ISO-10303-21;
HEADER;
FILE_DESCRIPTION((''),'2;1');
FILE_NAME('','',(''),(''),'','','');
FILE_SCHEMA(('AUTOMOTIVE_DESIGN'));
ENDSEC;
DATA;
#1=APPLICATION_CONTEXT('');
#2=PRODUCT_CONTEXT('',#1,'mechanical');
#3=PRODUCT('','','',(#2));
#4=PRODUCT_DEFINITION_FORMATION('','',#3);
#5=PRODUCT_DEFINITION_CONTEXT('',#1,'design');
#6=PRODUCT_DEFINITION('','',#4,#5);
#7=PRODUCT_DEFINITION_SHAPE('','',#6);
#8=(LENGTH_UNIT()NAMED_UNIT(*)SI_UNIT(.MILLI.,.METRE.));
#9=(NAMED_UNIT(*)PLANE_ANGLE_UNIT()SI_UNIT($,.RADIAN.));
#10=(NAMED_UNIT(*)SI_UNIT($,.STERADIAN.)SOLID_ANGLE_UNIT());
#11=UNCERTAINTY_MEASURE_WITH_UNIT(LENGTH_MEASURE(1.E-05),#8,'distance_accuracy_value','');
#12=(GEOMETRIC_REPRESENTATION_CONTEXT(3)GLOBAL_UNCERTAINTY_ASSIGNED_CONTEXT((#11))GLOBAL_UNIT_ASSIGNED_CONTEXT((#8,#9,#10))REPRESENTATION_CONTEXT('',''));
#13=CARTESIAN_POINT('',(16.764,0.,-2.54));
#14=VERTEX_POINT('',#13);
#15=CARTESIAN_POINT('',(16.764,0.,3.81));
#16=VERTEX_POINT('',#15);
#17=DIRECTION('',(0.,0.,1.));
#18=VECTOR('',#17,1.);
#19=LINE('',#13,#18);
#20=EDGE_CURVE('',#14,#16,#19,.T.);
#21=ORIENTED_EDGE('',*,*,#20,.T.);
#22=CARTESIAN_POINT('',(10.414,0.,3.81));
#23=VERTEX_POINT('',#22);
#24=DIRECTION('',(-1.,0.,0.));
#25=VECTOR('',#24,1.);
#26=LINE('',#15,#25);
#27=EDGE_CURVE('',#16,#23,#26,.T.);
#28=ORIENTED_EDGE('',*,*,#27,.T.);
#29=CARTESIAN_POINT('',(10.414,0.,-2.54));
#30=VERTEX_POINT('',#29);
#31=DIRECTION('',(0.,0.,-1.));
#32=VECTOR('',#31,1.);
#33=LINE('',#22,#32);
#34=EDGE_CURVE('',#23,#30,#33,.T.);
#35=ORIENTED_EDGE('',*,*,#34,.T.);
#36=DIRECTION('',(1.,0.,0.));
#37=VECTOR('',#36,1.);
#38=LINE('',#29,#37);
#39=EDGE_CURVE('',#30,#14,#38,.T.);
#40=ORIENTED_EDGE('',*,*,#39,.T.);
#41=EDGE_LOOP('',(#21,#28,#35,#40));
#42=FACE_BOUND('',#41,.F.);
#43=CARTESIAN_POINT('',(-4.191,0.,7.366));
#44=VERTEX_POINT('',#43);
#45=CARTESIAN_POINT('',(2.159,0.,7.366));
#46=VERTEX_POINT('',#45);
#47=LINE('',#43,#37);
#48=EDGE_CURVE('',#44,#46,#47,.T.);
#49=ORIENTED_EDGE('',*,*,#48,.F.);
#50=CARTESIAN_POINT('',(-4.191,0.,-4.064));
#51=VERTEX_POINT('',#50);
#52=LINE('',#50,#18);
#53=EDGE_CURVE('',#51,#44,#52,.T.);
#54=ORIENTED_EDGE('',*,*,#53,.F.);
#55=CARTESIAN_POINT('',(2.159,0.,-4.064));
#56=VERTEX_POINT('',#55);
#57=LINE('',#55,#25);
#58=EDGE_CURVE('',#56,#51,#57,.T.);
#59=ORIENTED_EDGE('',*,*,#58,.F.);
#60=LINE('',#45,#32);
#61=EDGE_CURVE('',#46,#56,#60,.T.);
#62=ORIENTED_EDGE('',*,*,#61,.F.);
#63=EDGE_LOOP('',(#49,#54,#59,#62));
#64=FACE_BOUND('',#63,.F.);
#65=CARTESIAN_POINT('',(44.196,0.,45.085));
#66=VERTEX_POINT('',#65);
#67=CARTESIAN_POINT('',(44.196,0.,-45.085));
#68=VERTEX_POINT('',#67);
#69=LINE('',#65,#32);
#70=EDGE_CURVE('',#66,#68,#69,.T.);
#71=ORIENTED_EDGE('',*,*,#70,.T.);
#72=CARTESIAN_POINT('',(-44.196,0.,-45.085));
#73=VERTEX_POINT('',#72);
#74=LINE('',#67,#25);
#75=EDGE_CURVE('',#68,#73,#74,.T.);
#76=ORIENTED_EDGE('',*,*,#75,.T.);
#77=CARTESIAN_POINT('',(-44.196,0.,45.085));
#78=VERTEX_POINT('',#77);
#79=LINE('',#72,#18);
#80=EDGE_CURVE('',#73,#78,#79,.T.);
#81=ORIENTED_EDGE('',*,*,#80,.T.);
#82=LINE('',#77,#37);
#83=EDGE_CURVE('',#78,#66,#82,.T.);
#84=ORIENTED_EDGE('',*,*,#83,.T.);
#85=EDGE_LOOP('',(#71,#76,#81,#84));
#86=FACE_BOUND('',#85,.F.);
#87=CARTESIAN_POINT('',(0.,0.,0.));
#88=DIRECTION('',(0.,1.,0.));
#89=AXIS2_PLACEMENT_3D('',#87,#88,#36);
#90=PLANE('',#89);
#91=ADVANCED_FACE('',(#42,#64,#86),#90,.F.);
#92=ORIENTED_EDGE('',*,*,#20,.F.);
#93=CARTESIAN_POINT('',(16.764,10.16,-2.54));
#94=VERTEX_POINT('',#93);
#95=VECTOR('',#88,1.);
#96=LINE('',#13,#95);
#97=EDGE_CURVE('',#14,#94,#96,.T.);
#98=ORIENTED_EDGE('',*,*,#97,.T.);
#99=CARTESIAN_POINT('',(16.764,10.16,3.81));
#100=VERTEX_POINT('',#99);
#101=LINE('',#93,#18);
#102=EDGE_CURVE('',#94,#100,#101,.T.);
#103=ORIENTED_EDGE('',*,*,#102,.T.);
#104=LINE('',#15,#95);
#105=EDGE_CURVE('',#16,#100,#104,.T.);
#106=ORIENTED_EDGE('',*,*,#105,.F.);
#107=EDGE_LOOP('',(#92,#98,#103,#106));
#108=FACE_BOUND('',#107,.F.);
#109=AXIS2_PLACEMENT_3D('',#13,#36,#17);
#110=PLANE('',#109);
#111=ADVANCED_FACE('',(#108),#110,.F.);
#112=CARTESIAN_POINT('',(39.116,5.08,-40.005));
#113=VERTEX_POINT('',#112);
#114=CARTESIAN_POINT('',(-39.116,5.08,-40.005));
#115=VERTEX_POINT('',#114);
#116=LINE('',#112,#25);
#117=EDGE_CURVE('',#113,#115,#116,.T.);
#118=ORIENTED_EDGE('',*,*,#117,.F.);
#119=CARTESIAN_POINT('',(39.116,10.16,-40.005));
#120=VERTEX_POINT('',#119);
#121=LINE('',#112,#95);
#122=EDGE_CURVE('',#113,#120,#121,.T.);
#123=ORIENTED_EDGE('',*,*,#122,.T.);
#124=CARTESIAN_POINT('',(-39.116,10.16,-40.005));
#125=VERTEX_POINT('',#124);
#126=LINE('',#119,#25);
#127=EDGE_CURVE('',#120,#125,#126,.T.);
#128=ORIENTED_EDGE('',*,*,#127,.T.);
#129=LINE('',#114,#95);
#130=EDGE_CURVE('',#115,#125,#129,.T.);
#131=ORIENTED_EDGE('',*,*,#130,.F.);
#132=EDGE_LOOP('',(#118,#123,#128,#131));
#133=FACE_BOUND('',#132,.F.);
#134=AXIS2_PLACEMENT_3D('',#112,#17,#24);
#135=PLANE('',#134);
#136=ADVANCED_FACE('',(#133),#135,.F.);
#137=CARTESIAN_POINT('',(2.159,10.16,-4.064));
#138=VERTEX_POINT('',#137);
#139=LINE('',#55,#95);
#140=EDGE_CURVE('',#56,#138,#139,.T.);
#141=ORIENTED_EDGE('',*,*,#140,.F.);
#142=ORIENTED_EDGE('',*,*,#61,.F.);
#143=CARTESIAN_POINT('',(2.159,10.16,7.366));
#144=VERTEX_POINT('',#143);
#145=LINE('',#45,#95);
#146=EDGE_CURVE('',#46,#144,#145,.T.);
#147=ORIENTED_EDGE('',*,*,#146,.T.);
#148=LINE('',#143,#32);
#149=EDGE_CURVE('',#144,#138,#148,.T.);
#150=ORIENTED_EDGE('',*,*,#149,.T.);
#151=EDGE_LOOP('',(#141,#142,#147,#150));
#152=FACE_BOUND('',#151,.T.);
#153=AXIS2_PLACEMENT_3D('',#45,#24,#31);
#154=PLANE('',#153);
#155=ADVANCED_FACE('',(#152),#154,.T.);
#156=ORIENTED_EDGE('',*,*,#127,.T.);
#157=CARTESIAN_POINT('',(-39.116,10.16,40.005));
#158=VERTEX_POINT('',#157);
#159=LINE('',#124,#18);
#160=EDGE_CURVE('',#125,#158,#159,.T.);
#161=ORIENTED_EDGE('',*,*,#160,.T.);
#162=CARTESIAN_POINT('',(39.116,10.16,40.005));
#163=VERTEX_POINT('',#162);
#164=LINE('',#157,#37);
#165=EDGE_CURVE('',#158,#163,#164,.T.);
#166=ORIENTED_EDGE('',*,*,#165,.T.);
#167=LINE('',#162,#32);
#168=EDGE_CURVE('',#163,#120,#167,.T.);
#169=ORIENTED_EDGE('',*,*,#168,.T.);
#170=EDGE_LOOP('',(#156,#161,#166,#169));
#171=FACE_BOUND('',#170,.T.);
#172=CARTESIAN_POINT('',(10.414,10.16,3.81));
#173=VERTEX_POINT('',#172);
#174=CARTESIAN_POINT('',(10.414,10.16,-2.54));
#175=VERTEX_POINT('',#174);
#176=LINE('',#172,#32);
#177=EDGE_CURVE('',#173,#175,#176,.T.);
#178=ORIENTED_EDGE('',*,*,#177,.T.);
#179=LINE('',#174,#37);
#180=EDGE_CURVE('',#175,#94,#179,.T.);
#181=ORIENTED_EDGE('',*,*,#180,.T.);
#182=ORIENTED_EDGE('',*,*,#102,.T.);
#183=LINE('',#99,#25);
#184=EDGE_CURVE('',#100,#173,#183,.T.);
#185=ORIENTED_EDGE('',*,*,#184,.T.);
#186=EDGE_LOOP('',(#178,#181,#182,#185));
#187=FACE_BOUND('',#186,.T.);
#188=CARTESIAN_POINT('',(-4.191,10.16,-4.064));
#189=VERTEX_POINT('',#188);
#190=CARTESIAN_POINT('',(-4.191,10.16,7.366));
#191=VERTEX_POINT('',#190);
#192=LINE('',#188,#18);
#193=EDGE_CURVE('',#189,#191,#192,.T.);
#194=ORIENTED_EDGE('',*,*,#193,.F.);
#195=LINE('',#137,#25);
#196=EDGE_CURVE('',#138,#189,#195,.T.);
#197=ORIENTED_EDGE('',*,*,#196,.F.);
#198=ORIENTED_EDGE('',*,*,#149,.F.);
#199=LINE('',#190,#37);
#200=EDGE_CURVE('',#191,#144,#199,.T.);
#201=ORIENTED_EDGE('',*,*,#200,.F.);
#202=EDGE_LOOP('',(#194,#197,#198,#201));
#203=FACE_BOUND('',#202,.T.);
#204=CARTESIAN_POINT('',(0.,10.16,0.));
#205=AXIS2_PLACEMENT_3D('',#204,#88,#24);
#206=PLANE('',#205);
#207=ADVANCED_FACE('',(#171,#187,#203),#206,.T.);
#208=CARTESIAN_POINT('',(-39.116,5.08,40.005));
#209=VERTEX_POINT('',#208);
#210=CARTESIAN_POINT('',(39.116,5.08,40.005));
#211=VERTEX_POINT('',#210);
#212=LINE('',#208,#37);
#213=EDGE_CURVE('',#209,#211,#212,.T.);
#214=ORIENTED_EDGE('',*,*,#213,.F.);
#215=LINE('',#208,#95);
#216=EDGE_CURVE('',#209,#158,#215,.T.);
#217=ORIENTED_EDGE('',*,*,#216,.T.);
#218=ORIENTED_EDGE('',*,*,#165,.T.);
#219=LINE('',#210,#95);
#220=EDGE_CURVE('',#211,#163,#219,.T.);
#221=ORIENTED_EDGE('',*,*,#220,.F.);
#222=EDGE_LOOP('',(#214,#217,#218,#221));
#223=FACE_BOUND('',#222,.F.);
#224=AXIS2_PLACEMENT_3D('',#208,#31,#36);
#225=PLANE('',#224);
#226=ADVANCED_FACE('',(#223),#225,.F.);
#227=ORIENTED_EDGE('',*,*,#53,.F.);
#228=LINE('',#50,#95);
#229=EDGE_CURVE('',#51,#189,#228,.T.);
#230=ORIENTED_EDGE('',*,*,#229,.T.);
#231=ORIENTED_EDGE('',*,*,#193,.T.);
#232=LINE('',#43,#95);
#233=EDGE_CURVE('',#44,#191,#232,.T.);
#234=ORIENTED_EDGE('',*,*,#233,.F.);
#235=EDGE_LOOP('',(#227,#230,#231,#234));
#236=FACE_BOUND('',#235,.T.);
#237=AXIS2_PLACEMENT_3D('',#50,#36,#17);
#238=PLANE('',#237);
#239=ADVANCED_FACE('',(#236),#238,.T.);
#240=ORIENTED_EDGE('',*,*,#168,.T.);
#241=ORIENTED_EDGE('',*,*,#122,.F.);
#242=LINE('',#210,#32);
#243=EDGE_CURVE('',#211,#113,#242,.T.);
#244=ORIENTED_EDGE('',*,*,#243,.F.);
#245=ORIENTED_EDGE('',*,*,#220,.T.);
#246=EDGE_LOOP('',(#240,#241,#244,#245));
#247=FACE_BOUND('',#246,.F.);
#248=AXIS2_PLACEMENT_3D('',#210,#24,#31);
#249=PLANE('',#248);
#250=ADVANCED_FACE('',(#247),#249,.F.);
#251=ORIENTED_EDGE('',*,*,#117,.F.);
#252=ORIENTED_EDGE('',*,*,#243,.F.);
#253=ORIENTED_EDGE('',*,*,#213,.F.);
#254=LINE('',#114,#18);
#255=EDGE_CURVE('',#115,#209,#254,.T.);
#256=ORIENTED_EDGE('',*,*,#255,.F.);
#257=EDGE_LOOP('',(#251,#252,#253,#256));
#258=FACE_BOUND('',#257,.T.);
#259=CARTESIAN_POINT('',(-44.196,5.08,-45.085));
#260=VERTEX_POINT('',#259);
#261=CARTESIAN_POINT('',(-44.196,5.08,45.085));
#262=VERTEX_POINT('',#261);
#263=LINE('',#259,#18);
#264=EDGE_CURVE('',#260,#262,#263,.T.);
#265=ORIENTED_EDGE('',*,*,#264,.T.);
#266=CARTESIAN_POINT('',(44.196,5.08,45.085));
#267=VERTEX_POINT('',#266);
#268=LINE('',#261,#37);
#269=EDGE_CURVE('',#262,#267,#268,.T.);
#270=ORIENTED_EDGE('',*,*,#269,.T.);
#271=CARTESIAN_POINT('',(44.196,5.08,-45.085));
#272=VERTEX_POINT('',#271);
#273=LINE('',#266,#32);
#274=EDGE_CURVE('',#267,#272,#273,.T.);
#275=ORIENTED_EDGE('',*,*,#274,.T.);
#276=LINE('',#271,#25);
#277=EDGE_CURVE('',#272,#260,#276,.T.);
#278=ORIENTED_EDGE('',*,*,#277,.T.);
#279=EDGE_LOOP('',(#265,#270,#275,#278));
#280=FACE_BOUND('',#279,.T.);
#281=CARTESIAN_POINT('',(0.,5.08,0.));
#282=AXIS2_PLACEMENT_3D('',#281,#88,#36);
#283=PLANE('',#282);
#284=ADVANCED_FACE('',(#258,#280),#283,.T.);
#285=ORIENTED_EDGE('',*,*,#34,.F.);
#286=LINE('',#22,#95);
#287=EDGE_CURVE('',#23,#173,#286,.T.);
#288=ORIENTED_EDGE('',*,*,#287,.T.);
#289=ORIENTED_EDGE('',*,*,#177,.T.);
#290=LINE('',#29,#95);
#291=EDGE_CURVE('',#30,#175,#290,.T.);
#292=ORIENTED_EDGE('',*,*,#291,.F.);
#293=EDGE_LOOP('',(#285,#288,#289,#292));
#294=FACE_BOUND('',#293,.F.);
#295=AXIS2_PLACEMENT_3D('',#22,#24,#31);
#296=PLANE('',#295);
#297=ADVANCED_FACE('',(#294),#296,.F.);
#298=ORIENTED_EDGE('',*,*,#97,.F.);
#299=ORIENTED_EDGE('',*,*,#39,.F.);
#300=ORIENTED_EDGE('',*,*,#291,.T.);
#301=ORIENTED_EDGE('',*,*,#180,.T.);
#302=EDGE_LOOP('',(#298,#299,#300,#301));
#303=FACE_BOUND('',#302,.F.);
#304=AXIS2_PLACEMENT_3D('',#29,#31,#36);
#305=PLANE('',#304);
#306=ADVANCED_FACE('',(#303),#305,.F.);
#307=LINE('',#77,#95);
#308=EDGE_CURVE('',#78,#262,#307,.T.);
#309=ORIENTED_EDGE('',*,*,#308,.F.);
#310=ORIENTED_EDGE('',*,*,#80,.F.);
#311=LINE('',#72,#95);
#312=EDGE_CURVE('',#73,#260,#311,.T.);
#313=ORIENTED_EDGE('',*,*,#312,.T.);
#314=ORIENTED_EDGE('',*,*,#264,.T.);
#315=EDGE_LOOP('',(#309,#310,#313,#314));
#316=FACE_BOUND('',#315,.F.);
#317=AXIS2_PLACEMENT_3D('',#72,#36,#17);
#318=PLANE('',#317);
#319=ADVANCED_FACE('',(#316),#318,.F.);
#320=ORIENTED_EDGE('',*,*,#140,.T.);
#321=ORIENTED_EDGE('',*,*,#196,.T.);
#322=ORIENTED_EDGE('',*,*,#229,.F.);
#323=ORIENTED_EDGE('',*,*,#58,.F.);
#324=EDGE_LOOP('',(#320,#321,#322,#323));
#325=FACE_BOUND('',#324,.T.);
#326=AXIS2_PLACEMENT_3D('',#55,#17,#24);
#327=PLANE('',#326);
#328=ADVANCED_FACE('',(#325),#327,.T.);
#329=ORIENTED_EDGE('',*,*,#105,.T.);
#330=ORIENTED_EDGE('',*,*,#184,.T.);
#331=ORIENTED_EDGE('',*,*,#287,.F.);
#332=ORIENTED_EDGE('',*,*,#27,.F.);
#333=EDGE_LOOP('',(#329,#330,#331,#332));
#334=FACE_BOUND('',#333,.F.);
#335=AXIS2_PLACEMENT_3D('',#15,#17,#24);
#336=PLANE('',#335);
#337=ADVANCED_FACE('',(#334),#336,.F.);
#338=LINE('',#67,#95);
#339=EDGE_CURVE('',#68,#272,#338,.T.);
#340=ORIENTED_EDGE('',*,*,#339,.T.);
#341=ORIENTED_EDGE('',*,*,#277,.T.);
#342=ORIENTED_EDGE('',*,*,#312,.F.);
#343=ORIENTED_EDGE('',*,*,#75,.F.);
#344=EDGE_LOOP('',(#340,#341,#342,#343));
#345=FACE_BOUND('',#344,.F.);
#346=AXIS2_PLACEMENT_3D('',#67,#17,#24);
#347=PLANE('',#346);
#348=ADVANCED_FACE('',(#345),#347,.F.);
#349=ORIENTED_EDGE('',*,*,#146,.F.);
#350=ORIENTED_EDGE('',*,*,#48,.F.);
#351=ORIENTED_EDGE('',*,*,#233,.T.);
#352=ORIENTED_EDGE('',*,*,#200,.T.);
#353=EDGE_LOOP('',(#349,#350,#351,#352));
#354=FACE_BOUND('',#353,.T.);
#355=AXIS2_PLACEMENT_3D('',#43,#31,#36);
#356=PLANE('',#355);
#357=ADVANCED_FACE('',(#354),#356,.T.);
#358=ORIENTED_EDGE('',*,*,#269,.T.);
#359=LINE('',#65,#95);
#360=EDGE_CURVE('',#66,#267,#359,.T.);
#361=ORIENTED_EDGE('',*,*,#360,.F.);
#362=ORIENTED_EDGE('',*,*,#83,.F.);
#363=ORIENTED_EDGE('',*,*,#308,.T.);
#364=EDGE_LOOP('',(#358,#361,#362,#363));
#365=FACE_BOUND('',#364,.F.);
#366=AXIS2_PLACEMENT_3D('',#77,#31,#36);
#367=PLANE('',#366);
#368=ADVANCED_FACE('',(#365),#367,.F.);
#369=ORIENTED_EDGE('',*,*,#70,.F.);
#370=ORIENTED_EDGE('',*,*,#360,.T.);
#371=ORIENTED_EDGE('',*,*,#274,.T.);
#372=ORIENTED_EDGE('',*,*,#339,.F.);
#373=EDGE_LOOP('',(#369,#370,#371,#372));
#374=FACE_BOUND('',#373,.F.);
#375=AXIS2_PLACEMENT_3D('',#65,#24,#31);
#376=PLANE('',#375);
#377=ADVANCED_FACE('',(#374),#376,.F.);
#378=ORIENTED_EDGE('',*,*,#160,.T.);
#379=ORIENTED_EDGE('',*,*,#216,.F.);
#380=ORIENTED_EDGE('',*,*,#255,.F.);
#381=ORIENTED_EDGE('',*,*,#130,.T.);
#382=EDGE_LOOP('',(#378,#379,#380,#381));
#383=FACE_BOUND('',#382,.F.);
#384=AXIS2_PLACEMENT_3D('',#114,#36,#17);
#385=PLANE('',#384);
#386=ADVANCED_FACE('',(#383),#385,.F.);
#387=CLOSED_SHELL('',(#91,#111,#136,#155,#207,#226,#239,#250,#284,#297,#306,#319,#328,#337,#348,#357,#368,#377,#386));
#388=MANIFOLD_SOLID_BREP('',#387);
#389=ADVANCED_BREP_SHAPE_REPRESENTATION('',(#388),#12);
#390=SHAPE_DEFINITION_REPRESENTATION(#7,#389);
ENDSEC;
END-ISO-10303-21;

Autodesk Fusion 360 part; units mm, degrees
sketch "Sketch1" plane through (0, 0, 0) normal (0, 1, 0) x (1, 0, 0) in component "Lid"
  line L0 (44.196, 45.085) -> (-44.196, 45.085)
  line L1 (-44.196, 45.085) -> (-44.196, -45.085)
  line L2 (-44.196, -45.085) -> (44.196, -45.085)
  line L3 (44.196, -45.085) -> (44.196, 45.085)
  line L4 (44.196, 45.085) -> (-44.196, -45.085) construction
  line L5 (-44.196, 45.085) -> (44.196, -45.085) construction
  dimension "d1" = 88.392
  dimension "d2" = 90.17
extrude "Extrude1" add sketch "Sketch1" along normal blind 5.08 in component "Lid"
sketch "Sketch3" plane through (0, 5.08, 0) normal (0, 1, 0) x (-1, 0, 0) in component "Lid"
  line L0 (-44.196, 45.085) -> (-44.196, -45.085)
  line L1 (-44.196, -45.085) -> (44.196, -45.085)
  line L2 (44.196, -45.085) -> (44.196, 45.085)
  line L3 (44.196, 45.085) -> (-44.196, 45.085)
  line L4 (-39.116, -40.005) -> (39.116, -40.005)
  line L5 (39.116, -40.005) -> (39.116, 40.005)
  line L6 (39.116, 40.005) -> (-39.116, 40.005)
  line L7 (-39.116, 40.005) -> (-39.116, -40.005)
  line L8 (-39.116, -40.005) -> (39.116, 40.005) construction
  line L9 (39.116, -40.005) -> (-39.116, 40.005) construction
  dimension "d6" = 78.232
  dimension "d7" = 80.01
extrude "Extrude2" add sketch "Sketch3" along normal blind 5.08 contours L4 L5 L6 L7 in component "Lid"
sketch "Sketch6" plane through (0, 0, 0) normal (0, -1, 0) x (1, 0, 0) in component "Lid"
  line L0 (44.196, -45.085) -> (44.196, 45.085)
  line L1 (44.196, 45.085) -> (-44.196, 45.085)
  line L2 (-44.196, 45.085) -> (-44.196, -45.085)
  line L3 (-44.196, -45.085) -> (44.196, -45.085)
  line L4 (2.159, -4.064) -> (-4.191, -4.064)
  line L5 (-4.191, -4.064) -> (-4.191, 7.366)
  line L6 (-4.191, 7.366) -> (2.159, 7.366)
  line L7 (2.159, 7.366) -> (2.159, -4.064)
  line L8 (2.159, -4.064) -> (-4.191, 7.366) construction
  line L9 (-4.191, -4.064) -> (2.159, 7.366) construction
  dimension "d14" = 11.43
  dimension "d15" = 6.35
  dimension "d16" = 1.016
  dimension "d18" = 1.651
extrude "Extrude3" cut sketch "Sketch6" against normal blind 10.16 contours L4 L5 L6 L7 in component "Lid"
sketch "Sketch9" plane through (0, 0, 0) normal (0, 1, 0) x (1, 0, 0) in component "Lid"
  line L0 (16.764, -3.81) -> (10.414, -3.81)
  line L1 (10.414, -3.81) -> (10.414, 2.54)
  line L2 (10.414, 2.54) -> (16.764, 2.54)
  line L3 (16.764, 2.54) -> (16.764, -3.81)
  line L4 (16.764, -3.81) -> (10.414, 2.54) construction
  line L5 (10.414, -3.81) -> (16.764, 2.54) construction
  dimension "d28" = 6.35
  dimension "d29" = 6.35
  dimension "d30" = 0.635
  dimension "d31" = 13.589
extrude "Extrude5" cut sketch "Sketch9" along normal blind 10.16 in component "Lid"
component "Lid" placed x (1, 0, 0) y (0, 1, 0) z (0, 0, 1) at (0, 0, 0)
